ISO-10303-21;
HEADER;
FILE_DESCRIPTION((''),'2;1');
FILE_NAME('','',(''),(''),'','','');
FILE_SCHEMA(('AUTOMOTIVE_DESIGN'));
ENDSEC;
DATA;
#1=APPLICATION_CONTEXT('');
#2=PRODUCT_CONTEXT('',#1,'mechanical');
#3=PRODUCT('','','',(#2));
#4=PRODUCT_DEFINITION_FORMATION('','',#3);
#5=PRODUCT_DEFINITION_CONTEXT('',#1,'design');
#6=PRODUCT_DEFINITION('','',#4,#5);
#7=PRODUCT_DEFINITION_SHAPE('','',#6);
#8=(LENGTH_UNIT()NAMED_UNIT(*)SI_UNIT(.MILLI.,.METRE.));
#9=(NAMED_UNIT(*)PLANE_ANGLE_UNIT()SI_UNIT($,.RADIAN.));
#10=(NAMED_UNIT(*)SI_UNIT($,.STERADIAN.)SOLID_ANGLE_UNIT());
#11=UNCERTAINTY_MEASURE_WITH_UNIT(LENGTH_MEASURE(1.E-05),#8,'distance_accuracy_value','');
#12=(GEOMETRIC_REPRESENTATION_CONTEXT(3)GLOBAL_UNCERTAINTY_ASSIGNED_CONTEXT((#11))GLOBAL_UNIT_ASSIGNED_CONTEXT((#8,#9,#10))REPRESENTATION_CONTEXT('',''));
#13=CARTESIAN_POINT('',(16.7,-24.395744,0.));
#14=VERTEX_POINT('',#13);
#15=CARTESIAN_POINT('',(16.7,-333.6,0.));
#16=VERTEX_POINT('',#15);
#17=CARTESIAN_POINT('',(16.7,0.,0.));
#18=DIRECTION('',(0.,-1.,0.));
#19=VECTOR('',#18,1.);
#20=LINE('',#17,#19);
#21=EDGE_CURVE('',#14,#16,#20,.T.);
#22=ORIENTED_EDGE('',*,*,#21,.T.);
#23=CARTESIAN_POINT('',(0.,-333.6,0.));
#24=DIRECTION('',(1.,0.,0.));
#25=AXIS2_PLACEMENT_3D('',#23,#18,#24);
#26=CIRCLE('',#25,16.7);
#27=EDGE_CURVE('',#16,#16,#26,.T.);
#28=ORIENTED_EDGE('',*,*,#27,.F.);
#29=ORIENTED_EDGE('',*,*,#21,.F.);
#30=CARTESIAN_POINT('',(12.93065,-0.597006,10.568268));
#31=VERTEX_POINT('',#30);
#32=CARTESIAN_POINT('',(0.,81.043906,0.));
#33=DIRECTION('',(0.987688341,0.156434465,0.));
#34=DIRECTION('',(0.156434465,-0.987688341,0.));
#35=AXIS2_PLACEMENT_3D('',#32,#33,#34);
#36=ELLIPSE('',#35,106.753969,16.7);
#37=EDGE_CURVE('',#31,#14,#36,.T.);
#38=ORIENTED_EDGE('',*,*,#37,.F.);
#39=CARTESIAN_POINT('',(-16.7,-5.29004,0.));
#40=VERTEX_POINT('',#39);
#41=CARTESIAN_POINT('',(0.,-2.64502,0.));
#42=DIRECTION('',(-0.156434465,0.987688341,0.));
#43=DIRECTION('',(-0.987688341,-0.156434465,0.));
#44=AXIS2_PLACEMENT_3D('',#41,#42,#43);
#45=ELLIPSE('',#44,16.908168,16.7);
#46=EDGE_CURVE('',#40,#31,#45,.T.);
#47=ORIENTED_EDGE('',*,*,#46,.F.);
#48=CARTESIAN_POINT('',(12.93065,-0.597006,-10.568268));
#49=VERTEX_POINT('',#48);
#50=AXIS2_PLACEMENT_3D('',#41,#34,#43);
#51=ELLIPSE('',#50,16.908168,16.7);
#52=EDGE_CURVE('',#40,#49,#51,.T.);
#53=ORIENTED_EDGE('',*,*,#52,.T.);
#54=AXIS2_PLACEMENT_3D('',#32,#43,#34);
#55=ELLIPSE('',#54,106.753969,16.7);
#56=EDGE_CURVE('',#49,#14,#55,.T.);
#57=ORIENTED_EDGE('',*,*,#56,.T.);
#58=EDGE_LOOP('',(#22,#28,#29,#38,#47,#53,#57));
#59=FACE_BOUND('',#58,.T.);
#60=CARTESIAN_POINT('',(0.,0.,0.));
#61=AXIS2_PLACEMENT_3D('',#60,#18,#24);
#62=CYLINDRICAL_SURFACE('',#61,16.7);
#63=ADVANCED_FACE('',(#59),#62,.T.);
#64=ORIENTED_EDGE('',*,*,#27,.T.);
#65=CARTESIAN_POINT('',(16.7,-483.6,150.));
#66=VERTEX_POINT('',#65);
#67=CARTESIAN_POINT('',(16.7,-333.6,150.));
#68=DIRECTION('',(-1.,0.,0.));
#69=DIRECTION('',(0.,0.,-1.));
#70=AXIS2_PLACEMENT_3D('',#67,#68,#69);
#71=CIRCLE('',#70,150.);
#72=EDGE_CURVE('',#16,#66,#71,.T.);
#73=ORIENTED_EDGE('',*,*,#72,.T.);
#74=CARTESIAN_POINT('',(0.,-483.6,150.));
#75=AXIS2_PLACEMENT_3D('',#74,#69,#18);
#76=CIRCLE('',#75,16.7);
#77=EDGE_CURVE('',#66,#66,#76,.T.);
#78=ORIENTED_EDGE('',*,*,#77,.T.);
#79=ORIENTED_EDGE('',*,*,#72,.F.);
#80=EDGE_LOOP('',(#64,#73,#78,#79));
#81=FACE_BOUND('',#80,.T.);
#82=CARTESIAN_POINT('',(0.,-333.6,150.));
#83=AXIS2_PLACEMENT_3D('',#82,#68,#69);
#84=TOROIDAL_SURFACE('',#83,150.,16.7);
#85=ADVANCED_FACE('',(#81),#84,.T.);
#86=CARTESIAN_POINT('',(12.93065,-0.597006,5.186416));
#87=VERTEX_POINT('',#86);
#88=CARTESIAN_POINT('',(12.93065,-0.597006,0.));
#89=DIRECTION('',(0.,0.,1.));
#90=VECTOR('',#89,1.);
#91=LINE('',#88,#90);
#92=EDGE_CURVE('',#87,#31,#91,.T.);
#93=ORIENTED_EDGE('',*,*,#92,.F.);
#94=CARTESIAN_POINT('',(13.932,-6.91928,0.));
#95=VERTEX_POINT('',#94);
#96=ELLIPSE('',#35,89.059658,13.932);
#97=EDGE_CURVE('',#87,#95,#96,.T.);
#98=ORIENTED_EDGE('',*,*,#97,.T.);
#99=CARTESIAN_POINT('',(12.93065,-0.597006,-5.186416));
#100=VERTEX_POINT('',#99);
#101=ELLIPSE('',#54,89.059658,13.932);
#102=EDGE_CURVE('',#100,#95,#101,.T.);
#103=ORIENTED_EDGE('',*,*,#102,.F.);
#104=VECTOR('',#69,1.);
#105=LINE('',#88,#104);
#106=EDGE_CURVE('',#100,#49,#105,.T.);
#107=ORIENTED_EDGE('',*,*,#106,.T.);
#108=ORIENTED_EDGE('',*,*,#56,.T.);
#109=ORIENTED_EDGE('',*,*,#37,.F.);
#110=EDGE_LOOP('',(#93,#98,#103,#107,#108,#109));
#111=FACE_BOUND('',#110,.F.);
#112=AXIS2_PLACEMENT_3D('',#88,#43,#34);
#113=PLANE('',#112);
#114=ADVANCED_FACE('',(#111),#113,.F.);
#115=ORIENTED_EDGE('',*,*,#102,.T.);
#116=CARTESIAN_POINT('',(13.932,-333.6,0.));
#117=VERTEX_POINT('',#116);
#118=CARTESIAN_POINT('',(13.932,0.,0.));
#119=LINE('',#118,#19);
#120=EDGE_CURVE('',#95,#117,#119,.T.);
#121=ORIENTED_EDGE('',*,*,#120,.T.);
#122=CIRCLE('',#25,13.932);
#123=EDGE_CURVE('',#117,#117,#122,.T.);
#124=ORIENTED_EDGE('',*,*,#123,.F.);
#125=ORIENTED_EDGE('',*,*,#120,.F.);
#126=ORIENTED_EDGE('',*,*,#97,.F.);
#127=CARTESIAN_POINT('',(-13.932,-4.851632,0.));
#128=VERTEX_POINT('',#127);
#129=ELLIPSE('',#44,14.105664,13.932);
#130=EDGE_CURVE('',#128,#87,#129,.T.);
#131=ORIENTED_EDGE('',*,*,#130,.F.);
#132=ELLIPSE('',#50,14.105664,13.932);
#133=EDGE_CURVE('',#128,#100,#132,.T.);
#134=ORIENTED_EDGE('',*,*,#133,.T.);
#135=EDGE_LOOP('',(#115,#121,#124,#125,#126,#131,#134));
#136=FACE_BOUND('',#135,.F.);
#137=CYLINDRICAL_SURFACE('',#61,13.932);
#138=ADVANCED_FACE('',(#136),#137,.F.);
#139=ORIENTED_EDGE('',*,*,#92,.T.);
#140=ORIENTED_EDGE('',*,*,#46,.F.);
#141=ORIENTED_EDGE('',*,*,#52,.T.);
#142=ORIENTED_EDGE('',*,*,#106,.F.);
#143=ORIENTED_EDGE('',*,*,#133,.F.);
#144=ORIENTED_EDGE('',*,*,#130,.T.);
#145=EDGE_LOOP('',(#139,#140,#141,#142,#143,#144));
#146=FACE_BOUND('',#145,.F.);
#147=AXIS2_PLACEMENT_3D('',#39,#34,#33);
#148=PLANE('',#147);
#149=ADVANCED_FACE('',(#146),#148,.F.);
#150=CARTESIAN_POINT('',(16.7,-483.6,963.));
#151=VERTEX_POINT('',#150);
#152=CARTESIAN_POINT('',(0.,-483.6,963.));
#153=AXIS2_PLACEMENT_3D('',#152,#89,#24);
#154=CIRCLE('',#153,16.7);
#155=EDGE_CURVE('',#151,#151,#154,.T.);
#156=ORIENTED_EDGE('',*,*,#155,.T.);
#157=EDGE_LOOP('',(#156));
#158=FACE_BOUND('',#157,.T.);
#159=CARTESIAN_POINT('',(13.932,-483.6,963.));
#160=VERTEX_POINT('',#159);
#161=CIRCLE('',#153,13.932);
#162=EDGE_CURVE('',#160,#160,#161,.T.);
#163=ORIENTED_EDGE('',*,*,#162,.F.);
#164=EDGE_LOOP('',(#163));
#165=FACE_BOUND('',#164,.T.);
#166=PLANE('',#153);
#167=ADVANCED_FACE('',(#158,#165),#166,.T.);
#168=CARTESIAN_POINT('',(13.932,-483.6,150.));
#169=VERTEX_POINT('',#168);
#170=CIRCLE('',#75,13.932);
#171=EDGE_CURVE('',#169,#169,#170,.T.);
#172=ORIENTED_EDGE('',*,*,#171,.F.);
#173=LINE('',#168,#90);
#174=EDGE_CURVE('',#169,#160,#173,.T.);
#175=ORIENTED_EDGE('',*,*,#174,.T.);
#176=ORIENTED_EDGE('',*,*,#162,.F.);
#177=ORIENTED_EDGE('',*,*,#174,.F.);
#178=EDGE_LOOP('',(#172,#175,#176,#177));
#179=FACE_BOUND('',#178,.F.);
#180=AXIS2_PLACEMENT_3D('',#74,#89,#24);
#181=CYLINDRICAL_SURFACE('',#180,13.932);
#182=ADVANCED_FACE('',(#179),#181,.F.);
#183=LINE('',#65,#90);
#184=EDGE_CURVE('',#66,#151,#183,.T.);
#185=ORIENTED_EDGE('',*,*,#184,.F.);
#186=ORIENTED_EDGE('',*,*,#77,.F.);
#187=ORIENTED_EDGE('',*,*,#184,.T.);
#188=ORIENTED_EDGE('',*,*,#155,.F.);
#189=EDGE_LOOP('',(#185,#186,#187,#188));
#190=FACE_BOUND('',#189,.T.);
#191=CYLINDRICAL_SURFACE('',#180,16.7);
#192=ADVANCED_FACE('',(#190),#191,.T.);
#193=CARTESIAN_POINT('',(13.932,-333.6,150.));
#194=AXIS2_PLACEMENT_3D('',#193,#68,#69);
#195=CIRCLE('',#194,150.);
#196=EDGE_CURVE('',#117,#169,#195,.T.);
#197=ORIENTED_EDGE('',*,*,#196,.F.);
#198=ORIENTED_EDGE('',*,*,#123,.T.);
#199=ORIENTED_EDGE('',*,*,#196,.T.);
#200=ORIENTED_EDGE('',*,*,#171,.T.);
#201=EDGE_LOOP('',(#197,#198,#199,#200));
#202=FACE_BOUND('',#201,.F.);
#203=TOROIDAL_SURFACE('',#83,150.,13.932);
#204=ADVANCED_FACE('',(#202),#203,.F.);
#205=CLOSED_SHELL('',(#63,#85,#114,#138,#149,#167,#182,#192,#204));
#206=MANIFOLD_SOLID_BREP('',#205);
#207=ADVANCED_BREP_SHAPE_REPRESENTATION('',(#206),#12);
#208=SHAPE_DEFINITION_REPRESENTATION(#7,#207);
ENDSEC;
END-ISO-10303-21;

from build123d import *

# Parameters (mm, degrees)
F1_R          = 16.7
F1_R_2        = 13.932
F4_DEPTH      = 16.7010001
F4_DEPTH_BACK = 963.001


with BuildPart() as f2:
    # F2: sweep along a path in F0
    with BuildLine(Plane.YZ) as f2_path:
        Line((0, 0), (-333.6, 0))
        ThreePointArc((-333.6, 0), (-439.666017178, 43.933982822), (-483.6, 150))
        Line((-483.6, 150), (-483.6, 963))
    # F1 (on Front) → F2 (sweep)
    with BuildSketch(Plane.XZ):
        Circle(F1_R)
        Circle(F1_R_2, mode=Mode.SUBTRACT)
    sweep(path=f2_path.line)

    # F3 (on Top) → F4 (cut, two sides)
    with BuildSketch(Plane.XY) as f4_sk:
        Polygon((-16.7, 0), (0, 0), (-16.7, 2.6450201534), align=None)
        Polygon((16.7, 0), (0, 0), (-16.7, 0), (-16.7, -5.2900403068), (12.9306502179, -0.5970063556), (16.7, -24.395744252), (16.7, -5.4741381354), (16.7, -2.6450201534), align=None)
    extrude(amount=-F4_DEPTH, mode=Mode.SUBTRACT)
    extrude(f4_sk.sketch, amount=F4_DEPTH_BACK, mode=Mode.SUBTRACT)


solid = f2.part
